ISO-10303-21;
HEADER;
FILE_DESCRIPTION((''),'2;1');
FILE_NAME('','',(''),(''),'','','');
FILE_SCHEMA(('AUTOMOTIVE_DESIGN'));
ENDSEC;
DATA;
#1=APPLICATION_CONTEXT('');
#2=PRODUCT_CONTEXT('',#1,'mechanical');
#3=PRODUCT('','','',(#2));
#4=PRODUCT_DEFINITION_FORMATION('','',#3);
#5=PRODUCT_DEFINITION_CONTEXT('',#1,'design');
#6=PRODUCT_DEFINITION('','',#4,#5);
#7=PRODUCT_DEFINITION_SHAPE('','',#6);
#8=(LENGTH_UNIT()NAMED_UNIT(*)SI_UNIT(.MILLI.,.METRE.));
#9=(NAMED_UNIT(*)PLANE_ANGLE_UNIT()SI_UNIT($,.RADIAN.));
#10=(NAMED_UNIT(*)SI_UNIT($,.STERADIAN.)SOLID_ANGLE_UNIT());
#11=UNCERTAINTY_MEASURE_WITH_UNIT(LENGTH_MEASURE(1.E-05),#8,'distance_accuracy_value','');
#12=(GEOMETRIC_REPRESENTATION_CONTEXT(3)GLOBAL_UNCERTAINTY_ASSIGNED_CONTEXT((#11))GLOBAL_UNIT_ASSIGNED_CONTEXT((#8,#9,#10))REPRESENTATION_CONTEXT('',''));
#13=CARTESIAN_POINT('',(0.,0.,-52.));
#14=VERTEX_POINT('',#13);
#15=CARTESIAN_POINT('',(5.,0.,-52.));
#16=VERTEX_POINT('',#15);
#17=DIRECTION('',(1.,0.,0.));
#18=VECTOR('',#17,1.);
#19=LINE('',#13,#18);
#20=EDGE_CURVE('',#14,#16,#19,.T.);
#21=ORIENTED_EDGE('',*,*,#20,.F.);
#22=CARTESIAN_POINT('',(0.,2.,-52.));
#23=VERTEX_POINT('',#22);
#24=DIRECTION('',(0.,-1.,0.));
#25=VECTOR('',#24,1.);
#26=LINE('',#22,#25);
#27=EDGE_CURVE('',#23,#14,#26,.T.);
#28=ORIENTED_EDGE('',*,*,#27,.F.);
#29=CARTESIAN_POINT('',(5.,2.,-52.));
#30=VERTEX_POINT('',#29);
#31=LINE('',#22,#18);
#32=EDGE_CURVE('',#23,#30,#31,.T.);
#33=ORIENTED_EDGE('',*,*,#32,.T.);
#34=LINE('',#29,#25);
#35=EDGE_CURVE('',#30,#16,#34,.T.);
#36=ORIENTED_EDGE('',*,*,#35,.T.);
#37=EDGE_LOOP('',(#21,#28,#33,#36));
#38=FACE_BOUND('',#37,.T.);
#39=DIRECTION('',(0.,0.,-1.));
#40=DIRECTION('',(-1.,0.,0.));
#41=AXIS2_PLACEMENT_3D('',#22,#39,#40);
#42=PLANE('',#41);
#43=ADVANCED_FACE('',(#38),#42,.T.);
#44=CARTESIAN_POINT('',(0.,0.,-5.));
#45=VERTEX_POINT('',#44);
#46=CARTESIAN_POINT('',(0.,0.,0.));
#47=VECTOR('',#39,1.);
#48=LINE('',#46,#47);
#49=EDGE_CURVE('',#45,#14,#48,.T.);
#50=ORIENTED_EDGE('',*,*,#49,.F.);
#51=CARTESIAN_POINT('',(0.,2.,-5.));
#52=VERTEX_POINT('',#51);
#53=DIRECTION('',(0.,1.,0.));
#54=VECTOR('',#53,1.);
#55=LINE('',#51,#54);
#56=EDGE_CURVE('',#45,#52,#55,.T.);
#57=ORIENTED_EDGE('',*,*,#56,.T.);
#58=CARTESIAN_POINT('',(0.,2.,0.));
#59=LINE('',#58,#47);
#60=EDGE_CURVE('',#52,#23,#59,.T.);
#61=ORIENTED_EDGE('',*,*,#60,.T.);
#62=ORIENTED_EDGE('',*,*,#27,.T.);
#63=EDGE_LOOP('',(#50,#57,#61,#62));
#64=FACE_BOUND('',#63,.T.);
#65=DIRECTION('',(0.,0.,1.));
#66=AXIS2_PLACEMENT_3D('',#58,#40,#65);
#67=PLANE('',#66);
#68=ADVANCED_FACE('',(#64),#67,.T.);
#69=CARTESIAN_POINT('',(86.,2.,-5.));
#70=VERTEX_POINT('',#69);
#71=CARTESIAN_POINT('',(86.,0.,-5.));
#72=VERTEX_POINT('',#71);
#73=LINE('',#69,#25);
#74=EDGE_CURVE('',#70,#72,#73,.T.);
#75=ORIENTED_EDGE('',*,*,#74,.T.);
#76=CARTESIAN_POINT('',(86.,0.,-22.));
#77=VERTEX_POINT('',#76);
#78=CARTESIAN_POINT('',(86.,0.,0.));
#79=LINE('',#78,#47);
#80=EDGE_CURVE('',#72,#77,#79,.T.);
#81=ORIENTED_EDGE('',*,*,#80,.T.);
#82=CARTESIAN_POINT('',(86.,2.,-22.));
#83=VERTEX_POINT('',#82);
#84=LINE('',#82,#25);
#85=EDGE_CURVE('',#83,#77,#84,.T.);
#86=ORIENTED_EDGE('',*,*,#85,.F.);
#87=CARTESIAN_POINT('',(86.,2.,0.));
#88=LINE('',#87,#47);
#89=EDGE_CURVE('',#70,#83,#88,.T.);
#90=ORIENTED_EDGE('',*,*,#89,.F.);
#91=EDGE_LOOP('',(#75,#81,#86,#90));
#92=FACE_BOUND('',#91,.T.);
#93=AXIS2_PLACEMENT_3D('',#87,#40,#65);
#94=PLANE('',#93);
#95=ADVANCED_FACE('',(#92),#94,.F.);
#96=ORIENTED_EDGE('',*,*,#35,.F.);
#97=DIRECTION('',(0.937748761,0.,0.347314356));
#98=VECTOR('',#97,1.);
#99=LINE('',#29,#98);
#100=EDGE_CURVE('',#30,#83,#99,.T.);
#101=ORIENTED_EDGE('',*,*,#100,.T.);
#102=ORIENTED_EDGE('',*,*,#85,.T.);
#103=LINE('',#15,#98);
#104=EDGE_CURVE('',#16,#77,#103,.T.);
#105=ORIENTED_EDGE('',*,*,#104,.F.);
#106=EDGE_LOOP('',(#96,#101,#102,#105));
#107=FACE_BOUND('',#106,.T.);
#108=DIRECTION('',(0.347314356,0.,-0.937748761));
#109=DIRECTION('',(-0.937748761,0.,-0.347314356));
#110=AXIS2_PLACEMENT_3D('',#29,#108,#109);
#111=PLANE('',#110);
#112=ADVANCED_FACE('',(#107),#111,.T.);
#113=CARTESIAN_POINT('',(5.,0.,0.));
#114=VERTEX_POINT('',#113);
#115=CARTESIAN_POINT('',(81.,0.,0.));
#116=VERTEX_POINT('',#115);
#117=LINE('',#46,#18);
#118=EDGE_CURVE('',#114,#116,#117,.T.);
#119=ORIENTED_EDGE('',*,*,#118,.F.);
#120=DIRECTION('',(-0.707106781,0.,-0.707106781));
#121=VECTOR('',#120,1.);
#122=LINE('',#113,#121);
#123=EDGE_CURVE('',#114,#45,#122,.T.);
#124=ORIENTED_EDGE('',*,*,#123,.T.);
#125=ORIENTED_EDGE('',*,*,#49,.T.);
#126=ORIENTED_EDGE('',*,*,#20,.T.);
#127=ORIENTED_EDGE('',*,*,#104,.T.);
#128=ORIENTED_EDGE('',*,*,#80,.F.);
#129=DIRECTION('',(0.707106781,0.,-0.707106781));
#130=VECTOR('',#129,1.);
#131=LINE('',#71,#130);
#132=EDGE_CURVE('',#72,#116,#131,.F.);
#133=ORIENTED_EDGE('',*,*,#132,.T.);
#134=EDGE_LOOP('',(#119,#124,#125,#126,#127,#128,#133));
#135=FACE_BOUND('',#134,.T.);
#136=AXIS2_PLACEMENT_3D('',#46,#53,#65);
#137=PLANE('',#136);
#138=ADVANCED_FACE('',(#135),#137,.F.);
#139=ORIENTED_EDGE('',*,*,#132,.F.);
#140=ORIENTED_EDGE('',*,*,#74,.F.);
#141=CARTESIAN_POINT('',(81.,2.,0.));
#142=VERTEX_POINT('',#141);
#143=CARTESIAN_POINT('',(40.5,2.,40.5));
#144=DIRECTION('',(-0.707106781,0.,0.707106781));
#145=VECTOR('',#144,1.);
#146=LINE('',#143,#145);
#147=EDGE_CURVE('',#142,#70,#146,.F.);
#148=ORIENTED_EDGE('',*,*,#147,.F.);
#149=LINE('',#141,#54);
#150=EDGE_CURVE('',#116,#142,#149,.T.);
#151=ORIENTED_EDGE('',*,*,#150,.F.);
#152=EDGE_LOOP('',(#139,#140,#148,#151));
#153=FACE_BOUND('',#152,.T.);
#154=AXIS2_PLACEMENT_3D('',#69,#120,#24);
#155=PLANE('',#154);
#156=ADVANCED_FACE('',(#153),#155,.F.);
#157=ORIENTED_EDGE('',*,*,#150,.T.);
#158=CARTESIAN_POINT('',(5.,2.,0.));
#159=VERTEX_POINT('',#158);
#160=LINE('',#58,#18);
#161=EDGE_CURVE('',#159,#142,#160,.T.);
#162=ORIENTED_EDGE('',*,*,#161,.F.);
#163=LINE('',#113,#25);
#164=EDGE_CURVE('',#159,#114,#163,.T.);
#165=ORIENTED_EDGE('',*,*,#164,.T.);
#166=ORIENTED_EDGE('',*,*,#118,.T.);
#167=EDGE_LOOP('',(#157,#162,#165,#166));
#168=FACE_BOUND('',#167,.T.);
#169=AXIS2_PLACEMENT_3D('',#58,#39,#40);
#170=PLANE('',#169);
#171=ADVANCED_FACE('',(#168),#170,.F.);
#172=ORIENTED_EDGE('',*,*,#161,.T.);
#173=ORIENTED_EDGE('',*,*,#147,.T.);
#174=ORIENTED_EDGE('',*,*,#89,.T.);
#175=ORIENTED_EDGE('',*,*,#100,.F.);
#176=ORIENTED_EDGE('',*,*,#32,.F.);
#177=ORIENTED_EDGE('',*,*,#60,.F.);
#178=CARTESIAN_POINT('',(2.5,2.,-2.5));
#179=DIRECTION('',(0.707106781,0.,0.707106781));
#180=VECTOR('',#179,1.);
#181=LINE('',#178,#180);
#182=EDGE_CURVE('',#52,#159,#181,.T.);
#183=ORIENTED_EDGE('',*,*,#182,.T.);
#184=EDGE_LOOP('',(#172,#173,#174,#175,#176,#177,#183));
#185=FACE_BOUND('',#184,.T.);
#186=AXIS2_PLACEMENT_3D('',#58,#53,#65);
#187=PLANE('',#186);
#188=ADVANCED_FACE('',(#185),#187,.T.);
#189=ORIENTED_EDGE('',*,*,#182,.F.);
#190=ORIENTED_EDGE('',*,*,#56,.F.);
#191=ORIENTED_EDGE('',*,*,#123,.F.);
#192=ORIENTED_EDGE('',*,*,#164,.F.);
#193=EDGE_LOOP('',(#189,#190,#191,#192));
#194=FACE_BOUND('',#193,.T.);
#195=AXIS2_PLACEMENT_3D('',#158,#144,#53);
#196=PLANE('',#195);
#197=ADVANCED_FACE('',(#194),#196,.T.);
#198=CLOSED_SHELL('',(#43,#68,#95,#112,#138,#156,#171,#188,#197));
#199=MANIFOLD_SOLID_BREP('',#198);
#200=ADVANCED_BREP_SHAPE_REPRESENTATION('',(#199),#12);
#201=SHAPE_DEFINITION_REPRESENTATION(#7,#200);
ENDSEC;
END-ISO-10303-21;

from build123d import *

# Parameters (mm, degrees)
EXTRUDE_1_DEPTH = 2
CHAMFER_2_SIZE  = 5


with BuildPart() as part:
    # Эскиз1 → Бобышка-Вытянуть1 (new body)
    with BuildSketch(Plane(origin=(0, 0, 0), x_dir=(1, 0, 0), z_dir=(0, 1, 0))):
        Polygon((5, 52), (86, 22), (86, 0), (0, 0), (0, 52), align=None)
    extrude(amount=EXTRUDE_1_DEPTH)

    # Фаска2
    chamfer_2_edges = [part.edges().sort_by_distance(p)[0] for p in [
        (0, 1, 0),
        (86, 1, 0),
    ]]
    chamfer(chamfer_2_edges, length=CHAMFER_2_SIZE)


solid = part.part
